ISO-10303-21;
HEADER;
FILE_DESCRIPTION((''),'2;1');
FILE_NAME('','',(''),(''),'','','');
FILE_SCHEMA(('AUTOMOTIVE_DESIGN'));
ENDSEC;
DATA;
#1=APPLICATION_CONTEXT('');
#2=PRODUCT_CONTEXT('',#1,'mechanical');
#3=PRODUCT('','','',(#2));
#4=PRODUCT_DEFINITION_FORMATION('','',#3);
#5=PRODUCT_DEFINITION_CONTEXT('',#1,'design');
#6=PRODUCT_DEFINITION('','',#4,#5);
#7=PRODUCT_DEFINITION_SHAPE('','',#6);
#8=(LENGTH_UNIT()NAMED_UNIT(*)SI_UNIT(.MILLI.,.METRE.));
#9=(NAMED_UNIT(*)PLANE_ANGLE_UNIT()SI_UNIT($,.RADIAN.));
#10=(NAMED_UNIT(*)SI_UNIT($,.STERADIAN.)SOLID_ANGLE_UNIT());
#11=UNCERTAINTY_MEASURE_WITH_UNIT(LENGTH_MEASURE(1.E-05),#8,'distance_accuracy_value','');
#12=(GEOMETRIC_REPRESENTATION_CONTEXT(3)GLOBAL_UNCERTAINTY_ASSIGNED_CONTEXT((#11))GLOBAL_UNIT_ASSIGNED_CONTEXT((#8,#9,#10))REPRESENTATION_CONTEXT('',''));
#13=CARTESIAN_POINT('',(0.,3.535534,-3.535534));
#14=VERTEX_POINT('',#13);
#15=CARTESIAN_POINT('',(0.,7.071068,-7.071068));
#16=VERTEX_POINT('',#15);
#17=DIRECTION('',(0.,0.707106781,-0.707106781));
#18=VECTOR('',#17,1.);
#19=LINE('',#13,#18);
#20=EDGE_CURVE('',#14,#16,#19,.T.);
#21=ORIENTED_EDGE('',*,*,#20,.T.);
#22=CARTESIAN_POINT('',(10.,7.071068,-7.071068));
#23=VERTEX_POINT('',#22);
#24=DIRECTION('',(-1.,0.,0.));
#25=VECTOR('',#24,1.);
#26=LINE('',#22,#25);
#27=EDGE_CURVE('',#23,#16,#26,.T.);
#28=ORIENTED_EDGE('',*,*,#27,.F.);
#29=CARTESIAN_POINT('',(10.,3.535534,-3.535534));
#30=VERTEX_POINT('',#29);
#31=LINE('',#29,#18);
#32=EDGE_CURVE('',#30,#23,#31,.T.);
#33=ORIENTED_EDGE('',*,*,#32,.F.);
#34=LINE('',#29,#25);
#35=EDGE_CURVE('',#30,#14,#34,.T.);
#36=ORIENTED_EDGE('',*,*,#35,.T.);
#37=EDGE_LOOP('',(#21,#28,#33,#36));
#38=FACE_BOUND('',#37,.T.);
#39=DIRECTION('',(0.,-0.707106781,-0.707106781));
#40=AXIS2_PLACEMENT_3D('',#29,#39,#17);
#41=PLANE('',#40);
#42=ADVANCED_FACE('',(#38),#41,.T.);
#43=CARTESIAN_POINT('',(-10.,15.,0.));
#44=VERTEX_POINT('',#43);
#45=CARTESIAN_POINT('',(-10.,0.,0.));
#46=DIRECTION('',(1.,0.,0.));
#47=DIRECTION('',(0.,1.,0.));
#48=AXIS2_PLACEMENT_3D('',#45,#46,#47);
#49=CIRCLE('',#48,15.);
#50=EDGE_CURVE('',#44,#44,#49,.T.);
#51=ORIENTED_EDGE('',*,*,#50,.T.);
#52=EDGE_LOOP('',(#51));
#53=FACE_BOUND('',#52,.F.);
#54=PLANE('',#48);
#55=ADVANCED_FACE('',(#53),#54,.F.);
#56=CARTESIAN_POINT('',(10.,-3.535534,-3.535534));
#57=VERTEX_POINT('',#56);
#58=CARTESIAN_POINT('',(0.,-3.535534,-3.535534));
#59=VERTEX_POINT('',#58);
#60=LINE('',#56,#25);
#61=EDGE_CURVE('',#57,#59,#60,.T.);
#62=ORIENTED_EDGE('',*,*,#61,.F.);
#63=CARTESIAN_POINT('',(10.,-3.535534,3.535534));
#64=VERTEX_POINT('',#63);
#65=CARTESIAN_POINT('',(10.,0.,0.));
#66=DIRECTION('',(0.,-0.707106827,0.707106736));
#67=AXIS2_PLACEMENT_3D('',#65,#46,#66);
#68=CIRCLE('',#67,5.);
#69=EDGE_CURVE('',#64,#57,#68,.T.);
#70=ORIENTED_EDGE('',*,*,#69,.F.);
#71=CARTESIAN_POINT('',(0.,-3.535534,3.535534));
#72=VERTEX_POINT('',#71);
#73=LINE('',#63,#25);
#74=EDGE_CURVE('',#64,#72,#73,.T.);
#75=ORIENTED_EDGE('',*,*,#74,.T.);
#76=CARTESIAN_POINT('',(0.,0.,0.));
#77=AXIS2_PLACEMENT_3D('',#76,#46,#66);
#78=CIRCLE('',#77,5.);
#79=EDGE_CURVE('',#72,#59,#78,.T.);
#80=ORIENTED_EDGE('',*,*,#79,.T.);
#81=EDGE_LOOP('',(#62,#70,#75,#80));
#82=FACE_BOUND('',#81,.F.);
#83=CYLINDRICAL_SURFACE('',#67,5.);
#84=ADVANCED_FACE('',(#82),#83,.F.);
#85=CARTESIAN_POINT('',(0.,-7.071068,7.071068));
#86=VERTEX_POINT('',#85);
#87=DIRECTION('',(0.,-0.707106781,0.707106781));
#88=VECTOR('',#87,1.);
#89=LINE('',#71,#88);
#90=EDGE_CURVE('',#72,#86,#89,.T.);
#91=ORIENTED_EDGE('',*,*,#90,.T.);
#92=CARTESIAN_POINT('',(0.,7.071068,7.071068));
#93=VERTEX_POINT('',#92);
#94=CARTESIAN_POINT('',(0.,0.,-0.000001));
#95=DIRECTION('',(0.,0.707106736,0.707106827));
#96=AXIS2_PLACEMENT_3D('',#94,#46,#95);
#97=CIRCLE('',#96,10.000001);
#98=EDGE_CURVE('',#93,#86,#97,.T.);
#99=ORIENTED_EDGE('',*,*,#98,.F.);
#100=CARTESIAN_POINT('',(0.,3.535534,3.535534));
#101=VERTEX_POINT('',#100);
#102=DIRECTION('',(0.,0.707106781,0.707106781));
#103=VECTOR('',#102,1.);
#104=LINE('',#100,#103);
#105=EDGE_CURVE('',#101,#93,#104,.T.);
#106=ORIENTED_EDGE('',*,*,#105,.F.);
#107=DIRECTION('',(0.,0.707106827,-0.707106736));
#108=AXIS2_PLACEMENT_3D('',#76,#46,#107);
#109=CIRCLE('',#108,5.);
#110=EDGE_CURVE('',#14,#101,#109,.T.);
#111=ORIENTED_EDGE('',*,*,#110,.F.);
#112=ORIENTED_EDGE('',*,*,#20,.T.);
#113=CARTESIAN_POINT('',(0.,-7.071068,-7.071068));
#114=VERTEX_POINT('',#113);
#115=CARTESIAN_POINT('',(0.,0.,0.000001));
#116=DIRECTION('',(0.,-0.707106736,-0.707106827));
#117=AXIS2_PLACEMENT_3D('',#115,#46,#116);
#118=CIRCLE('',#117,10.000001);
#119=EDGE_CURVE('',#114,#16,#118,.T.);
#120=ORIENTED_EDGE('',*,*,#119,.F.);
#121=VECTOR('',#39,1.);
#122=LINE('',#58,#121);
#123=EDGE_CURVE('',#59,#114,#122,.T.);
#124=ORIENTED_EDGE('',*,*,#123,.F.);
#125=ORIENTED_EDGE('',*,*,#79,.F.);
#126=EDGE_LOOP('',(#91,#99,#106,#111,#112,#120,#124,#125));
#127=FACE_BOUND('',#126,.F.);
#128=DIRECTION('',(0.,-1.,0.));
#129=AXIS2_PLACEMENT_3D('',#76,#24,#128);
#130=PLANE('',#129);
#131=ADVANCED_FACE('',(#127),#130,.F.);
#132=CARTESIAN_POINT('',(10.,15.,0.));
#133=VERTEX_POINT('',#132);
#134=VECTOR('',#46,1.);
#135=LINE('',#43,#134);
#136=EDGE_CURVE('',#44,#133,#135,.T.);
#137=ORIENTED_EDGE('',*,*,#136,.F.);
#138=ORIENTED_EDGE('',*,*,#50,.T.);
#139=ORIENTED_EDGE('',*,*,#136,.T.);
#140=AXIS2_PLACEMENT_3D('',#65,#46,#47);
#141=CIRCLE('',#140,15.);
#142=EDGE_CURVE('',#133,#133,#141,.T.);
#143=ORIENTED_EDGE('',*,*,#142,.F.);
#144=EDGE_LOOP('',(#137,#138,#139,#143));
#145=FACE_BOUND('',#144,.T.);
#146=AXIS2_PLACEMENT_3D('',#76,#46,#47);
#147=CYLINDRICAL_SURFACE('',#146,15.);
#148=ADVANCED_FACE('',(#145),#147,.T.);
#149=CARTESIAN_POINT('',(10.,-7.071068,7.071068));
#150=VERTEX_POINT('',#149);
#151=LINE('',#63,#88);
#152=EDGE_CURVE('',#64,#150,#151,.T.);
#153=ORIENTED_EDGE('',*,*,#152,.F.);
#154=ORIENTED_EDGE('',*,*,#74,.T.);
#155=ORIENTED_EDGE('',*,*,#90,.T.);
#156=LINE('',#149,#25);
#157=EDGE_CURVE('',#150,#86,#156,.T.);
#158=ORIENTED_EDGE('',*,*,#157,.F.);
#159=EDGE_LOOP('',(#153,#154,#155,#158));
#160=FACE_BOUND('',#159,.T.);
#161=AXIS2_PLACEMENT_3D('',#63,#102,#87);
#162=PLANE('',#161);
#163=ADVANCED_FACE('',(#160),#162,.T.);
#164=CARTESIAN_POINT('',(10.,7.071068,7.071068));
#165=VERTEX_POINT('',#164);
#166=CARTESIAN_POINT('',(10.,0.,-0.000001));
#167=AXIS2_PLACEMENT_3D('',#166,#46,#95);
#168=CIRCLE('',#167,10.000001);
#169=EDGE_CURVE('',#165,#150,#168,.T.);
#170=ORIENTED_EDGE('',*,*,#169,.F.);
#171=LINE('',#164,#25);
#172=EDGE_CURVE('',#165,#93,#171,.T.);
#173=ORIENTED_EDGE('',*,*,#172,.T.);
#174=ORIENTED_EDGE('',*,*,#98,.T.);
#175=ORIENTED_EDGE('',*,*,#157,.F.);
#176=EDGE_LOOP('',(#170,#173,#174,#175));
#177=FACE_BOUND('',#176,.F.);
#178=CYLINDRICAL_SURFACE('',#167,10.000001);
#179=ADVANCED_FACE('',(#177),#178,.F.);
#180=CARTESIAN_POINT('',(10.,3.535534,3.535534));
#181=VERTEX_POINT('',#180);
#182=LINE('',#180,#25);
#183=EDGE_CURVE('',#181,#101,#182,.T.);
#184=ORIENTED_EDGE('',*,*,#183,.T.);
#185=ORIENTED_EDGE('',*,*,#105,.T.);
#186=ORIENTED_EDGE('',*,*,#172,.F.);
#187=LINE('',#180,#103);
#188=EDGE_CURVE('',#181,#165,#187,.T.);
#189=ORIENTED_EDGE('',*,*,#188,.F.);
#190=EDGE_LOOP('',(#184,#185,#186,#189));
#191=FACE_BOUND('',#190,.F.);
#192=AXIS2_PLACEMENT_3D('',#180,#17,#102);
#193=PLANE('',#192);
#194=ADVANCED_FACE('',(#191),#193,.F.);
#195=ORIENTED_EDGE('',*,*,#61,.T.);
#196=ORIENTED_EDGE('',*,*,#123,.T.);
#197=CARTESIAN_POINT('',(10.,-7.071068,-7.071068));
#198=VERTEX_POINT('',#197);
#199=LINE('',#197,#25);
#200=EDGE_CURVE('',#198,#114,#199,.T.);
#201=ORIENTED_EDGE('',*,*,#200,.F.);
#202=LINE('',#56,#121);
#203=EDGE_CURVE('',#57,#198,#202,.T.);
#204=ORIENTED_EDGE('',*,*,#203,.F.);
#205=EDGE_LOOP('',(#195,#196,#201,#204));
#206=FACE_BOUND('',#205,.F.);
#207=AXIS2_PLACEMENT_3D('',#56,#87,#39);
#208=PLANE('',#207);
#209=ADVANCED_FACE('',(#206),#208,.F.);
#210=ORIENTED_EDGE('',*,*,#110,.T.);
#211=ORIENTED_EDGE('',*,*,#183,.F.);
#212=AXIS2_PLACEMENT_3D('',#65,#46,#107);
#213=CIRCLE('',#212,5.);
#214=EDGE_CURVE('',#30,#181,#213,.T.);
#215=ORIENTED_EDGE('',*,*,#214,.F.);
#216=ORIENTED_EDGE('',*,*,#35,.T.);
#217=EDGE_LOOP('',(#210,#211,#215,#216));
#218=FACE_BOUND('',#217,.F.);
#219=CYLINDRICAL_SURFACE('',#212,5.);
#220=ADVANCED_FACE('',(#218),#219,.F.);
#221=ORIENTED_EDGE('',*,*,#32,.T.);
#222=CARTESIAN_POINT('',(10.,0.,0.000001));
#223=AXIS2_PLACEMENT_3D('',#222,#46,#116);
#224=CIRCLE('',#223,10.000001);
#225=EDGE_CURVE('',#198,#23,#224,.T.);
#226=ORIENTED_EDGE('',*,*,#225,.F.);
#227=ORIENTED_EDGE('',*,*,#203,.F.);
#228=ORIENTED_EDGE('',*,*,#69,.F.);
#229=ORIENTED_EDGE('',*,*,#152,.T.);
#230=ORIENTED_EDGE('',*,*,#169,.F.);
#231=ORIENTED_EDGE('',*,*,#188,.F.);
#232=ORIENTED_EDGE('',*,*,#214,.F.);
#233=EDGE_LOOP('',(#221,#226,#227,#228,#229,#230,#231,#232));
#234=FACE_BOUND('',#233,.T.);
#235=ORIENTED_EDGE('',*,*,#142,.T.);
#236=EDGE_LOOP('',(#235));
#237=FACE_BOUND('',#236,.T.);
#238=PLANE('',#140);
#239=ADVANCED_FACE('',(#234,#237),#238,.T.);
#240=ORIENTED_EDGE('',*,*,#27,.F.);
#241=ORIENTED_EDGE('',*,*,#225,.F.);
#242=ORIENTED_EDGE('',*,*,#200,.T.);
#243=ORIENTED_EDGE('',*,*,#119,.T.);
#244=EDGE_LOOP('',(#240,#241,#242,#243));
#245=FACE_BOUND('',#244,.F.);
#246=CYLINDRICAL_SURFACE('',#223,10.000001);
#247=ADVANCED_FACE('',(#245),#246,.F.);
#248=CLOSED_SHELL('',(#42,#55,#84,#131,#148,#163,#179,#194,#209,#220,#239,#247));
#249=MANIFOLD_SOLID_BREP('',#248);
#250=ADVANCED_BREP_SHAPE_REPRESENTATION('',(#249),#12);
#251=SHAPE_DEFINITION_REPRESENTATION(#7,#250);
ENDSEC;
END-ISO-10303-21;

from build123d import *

# Parameters (mm, degrees)
SKETCH_R     = 15
PAD_DEPTH    = 10
POCKET_DEPTH = 10


with BuildPart() as part:
    # Sketch → Pad (new body, symmetric)
    with BuildSketch(Plane.YZ):
        Circle(SKETCH_R)
    extrude(amount=PAD_DEPTH, both=True)

    # Sketch001 (on Face3 of Pad) → Pocket (cut)
    with BuildSketch(Plane.YZ.offset(10)):
        with BuildLine():
            Line((3.535534, -3.535534), (7.071068, -7.071068))
            ThreePointArc((-7.071068, -7.071068), (0, -10), (7.071068, -7.071068))
            Line((-3.535534, -3.535534), (-7.071068, -7.071068))
            ThreePointArc((-3.535534, 3.535534), (-5, 0), (-3.535534, -3.535534))
            Line((-3.535534, 3.535534), (-7.071068, 7.071068))
            ThreePointArc((7.071068, 7.071068), (0, 10), (-7.071068, 7.071068))
            Line((3.535534, 3.535534), (7.071068, 7.071068))
            ThreePointArc((3.535534, -3.535534), (5, 0), (3.535534, 3.535534))
        make_face()
    extrude(amount=-POCKET_DEPTH, mode=Mode.SUBTRACT)


solid = part.part
